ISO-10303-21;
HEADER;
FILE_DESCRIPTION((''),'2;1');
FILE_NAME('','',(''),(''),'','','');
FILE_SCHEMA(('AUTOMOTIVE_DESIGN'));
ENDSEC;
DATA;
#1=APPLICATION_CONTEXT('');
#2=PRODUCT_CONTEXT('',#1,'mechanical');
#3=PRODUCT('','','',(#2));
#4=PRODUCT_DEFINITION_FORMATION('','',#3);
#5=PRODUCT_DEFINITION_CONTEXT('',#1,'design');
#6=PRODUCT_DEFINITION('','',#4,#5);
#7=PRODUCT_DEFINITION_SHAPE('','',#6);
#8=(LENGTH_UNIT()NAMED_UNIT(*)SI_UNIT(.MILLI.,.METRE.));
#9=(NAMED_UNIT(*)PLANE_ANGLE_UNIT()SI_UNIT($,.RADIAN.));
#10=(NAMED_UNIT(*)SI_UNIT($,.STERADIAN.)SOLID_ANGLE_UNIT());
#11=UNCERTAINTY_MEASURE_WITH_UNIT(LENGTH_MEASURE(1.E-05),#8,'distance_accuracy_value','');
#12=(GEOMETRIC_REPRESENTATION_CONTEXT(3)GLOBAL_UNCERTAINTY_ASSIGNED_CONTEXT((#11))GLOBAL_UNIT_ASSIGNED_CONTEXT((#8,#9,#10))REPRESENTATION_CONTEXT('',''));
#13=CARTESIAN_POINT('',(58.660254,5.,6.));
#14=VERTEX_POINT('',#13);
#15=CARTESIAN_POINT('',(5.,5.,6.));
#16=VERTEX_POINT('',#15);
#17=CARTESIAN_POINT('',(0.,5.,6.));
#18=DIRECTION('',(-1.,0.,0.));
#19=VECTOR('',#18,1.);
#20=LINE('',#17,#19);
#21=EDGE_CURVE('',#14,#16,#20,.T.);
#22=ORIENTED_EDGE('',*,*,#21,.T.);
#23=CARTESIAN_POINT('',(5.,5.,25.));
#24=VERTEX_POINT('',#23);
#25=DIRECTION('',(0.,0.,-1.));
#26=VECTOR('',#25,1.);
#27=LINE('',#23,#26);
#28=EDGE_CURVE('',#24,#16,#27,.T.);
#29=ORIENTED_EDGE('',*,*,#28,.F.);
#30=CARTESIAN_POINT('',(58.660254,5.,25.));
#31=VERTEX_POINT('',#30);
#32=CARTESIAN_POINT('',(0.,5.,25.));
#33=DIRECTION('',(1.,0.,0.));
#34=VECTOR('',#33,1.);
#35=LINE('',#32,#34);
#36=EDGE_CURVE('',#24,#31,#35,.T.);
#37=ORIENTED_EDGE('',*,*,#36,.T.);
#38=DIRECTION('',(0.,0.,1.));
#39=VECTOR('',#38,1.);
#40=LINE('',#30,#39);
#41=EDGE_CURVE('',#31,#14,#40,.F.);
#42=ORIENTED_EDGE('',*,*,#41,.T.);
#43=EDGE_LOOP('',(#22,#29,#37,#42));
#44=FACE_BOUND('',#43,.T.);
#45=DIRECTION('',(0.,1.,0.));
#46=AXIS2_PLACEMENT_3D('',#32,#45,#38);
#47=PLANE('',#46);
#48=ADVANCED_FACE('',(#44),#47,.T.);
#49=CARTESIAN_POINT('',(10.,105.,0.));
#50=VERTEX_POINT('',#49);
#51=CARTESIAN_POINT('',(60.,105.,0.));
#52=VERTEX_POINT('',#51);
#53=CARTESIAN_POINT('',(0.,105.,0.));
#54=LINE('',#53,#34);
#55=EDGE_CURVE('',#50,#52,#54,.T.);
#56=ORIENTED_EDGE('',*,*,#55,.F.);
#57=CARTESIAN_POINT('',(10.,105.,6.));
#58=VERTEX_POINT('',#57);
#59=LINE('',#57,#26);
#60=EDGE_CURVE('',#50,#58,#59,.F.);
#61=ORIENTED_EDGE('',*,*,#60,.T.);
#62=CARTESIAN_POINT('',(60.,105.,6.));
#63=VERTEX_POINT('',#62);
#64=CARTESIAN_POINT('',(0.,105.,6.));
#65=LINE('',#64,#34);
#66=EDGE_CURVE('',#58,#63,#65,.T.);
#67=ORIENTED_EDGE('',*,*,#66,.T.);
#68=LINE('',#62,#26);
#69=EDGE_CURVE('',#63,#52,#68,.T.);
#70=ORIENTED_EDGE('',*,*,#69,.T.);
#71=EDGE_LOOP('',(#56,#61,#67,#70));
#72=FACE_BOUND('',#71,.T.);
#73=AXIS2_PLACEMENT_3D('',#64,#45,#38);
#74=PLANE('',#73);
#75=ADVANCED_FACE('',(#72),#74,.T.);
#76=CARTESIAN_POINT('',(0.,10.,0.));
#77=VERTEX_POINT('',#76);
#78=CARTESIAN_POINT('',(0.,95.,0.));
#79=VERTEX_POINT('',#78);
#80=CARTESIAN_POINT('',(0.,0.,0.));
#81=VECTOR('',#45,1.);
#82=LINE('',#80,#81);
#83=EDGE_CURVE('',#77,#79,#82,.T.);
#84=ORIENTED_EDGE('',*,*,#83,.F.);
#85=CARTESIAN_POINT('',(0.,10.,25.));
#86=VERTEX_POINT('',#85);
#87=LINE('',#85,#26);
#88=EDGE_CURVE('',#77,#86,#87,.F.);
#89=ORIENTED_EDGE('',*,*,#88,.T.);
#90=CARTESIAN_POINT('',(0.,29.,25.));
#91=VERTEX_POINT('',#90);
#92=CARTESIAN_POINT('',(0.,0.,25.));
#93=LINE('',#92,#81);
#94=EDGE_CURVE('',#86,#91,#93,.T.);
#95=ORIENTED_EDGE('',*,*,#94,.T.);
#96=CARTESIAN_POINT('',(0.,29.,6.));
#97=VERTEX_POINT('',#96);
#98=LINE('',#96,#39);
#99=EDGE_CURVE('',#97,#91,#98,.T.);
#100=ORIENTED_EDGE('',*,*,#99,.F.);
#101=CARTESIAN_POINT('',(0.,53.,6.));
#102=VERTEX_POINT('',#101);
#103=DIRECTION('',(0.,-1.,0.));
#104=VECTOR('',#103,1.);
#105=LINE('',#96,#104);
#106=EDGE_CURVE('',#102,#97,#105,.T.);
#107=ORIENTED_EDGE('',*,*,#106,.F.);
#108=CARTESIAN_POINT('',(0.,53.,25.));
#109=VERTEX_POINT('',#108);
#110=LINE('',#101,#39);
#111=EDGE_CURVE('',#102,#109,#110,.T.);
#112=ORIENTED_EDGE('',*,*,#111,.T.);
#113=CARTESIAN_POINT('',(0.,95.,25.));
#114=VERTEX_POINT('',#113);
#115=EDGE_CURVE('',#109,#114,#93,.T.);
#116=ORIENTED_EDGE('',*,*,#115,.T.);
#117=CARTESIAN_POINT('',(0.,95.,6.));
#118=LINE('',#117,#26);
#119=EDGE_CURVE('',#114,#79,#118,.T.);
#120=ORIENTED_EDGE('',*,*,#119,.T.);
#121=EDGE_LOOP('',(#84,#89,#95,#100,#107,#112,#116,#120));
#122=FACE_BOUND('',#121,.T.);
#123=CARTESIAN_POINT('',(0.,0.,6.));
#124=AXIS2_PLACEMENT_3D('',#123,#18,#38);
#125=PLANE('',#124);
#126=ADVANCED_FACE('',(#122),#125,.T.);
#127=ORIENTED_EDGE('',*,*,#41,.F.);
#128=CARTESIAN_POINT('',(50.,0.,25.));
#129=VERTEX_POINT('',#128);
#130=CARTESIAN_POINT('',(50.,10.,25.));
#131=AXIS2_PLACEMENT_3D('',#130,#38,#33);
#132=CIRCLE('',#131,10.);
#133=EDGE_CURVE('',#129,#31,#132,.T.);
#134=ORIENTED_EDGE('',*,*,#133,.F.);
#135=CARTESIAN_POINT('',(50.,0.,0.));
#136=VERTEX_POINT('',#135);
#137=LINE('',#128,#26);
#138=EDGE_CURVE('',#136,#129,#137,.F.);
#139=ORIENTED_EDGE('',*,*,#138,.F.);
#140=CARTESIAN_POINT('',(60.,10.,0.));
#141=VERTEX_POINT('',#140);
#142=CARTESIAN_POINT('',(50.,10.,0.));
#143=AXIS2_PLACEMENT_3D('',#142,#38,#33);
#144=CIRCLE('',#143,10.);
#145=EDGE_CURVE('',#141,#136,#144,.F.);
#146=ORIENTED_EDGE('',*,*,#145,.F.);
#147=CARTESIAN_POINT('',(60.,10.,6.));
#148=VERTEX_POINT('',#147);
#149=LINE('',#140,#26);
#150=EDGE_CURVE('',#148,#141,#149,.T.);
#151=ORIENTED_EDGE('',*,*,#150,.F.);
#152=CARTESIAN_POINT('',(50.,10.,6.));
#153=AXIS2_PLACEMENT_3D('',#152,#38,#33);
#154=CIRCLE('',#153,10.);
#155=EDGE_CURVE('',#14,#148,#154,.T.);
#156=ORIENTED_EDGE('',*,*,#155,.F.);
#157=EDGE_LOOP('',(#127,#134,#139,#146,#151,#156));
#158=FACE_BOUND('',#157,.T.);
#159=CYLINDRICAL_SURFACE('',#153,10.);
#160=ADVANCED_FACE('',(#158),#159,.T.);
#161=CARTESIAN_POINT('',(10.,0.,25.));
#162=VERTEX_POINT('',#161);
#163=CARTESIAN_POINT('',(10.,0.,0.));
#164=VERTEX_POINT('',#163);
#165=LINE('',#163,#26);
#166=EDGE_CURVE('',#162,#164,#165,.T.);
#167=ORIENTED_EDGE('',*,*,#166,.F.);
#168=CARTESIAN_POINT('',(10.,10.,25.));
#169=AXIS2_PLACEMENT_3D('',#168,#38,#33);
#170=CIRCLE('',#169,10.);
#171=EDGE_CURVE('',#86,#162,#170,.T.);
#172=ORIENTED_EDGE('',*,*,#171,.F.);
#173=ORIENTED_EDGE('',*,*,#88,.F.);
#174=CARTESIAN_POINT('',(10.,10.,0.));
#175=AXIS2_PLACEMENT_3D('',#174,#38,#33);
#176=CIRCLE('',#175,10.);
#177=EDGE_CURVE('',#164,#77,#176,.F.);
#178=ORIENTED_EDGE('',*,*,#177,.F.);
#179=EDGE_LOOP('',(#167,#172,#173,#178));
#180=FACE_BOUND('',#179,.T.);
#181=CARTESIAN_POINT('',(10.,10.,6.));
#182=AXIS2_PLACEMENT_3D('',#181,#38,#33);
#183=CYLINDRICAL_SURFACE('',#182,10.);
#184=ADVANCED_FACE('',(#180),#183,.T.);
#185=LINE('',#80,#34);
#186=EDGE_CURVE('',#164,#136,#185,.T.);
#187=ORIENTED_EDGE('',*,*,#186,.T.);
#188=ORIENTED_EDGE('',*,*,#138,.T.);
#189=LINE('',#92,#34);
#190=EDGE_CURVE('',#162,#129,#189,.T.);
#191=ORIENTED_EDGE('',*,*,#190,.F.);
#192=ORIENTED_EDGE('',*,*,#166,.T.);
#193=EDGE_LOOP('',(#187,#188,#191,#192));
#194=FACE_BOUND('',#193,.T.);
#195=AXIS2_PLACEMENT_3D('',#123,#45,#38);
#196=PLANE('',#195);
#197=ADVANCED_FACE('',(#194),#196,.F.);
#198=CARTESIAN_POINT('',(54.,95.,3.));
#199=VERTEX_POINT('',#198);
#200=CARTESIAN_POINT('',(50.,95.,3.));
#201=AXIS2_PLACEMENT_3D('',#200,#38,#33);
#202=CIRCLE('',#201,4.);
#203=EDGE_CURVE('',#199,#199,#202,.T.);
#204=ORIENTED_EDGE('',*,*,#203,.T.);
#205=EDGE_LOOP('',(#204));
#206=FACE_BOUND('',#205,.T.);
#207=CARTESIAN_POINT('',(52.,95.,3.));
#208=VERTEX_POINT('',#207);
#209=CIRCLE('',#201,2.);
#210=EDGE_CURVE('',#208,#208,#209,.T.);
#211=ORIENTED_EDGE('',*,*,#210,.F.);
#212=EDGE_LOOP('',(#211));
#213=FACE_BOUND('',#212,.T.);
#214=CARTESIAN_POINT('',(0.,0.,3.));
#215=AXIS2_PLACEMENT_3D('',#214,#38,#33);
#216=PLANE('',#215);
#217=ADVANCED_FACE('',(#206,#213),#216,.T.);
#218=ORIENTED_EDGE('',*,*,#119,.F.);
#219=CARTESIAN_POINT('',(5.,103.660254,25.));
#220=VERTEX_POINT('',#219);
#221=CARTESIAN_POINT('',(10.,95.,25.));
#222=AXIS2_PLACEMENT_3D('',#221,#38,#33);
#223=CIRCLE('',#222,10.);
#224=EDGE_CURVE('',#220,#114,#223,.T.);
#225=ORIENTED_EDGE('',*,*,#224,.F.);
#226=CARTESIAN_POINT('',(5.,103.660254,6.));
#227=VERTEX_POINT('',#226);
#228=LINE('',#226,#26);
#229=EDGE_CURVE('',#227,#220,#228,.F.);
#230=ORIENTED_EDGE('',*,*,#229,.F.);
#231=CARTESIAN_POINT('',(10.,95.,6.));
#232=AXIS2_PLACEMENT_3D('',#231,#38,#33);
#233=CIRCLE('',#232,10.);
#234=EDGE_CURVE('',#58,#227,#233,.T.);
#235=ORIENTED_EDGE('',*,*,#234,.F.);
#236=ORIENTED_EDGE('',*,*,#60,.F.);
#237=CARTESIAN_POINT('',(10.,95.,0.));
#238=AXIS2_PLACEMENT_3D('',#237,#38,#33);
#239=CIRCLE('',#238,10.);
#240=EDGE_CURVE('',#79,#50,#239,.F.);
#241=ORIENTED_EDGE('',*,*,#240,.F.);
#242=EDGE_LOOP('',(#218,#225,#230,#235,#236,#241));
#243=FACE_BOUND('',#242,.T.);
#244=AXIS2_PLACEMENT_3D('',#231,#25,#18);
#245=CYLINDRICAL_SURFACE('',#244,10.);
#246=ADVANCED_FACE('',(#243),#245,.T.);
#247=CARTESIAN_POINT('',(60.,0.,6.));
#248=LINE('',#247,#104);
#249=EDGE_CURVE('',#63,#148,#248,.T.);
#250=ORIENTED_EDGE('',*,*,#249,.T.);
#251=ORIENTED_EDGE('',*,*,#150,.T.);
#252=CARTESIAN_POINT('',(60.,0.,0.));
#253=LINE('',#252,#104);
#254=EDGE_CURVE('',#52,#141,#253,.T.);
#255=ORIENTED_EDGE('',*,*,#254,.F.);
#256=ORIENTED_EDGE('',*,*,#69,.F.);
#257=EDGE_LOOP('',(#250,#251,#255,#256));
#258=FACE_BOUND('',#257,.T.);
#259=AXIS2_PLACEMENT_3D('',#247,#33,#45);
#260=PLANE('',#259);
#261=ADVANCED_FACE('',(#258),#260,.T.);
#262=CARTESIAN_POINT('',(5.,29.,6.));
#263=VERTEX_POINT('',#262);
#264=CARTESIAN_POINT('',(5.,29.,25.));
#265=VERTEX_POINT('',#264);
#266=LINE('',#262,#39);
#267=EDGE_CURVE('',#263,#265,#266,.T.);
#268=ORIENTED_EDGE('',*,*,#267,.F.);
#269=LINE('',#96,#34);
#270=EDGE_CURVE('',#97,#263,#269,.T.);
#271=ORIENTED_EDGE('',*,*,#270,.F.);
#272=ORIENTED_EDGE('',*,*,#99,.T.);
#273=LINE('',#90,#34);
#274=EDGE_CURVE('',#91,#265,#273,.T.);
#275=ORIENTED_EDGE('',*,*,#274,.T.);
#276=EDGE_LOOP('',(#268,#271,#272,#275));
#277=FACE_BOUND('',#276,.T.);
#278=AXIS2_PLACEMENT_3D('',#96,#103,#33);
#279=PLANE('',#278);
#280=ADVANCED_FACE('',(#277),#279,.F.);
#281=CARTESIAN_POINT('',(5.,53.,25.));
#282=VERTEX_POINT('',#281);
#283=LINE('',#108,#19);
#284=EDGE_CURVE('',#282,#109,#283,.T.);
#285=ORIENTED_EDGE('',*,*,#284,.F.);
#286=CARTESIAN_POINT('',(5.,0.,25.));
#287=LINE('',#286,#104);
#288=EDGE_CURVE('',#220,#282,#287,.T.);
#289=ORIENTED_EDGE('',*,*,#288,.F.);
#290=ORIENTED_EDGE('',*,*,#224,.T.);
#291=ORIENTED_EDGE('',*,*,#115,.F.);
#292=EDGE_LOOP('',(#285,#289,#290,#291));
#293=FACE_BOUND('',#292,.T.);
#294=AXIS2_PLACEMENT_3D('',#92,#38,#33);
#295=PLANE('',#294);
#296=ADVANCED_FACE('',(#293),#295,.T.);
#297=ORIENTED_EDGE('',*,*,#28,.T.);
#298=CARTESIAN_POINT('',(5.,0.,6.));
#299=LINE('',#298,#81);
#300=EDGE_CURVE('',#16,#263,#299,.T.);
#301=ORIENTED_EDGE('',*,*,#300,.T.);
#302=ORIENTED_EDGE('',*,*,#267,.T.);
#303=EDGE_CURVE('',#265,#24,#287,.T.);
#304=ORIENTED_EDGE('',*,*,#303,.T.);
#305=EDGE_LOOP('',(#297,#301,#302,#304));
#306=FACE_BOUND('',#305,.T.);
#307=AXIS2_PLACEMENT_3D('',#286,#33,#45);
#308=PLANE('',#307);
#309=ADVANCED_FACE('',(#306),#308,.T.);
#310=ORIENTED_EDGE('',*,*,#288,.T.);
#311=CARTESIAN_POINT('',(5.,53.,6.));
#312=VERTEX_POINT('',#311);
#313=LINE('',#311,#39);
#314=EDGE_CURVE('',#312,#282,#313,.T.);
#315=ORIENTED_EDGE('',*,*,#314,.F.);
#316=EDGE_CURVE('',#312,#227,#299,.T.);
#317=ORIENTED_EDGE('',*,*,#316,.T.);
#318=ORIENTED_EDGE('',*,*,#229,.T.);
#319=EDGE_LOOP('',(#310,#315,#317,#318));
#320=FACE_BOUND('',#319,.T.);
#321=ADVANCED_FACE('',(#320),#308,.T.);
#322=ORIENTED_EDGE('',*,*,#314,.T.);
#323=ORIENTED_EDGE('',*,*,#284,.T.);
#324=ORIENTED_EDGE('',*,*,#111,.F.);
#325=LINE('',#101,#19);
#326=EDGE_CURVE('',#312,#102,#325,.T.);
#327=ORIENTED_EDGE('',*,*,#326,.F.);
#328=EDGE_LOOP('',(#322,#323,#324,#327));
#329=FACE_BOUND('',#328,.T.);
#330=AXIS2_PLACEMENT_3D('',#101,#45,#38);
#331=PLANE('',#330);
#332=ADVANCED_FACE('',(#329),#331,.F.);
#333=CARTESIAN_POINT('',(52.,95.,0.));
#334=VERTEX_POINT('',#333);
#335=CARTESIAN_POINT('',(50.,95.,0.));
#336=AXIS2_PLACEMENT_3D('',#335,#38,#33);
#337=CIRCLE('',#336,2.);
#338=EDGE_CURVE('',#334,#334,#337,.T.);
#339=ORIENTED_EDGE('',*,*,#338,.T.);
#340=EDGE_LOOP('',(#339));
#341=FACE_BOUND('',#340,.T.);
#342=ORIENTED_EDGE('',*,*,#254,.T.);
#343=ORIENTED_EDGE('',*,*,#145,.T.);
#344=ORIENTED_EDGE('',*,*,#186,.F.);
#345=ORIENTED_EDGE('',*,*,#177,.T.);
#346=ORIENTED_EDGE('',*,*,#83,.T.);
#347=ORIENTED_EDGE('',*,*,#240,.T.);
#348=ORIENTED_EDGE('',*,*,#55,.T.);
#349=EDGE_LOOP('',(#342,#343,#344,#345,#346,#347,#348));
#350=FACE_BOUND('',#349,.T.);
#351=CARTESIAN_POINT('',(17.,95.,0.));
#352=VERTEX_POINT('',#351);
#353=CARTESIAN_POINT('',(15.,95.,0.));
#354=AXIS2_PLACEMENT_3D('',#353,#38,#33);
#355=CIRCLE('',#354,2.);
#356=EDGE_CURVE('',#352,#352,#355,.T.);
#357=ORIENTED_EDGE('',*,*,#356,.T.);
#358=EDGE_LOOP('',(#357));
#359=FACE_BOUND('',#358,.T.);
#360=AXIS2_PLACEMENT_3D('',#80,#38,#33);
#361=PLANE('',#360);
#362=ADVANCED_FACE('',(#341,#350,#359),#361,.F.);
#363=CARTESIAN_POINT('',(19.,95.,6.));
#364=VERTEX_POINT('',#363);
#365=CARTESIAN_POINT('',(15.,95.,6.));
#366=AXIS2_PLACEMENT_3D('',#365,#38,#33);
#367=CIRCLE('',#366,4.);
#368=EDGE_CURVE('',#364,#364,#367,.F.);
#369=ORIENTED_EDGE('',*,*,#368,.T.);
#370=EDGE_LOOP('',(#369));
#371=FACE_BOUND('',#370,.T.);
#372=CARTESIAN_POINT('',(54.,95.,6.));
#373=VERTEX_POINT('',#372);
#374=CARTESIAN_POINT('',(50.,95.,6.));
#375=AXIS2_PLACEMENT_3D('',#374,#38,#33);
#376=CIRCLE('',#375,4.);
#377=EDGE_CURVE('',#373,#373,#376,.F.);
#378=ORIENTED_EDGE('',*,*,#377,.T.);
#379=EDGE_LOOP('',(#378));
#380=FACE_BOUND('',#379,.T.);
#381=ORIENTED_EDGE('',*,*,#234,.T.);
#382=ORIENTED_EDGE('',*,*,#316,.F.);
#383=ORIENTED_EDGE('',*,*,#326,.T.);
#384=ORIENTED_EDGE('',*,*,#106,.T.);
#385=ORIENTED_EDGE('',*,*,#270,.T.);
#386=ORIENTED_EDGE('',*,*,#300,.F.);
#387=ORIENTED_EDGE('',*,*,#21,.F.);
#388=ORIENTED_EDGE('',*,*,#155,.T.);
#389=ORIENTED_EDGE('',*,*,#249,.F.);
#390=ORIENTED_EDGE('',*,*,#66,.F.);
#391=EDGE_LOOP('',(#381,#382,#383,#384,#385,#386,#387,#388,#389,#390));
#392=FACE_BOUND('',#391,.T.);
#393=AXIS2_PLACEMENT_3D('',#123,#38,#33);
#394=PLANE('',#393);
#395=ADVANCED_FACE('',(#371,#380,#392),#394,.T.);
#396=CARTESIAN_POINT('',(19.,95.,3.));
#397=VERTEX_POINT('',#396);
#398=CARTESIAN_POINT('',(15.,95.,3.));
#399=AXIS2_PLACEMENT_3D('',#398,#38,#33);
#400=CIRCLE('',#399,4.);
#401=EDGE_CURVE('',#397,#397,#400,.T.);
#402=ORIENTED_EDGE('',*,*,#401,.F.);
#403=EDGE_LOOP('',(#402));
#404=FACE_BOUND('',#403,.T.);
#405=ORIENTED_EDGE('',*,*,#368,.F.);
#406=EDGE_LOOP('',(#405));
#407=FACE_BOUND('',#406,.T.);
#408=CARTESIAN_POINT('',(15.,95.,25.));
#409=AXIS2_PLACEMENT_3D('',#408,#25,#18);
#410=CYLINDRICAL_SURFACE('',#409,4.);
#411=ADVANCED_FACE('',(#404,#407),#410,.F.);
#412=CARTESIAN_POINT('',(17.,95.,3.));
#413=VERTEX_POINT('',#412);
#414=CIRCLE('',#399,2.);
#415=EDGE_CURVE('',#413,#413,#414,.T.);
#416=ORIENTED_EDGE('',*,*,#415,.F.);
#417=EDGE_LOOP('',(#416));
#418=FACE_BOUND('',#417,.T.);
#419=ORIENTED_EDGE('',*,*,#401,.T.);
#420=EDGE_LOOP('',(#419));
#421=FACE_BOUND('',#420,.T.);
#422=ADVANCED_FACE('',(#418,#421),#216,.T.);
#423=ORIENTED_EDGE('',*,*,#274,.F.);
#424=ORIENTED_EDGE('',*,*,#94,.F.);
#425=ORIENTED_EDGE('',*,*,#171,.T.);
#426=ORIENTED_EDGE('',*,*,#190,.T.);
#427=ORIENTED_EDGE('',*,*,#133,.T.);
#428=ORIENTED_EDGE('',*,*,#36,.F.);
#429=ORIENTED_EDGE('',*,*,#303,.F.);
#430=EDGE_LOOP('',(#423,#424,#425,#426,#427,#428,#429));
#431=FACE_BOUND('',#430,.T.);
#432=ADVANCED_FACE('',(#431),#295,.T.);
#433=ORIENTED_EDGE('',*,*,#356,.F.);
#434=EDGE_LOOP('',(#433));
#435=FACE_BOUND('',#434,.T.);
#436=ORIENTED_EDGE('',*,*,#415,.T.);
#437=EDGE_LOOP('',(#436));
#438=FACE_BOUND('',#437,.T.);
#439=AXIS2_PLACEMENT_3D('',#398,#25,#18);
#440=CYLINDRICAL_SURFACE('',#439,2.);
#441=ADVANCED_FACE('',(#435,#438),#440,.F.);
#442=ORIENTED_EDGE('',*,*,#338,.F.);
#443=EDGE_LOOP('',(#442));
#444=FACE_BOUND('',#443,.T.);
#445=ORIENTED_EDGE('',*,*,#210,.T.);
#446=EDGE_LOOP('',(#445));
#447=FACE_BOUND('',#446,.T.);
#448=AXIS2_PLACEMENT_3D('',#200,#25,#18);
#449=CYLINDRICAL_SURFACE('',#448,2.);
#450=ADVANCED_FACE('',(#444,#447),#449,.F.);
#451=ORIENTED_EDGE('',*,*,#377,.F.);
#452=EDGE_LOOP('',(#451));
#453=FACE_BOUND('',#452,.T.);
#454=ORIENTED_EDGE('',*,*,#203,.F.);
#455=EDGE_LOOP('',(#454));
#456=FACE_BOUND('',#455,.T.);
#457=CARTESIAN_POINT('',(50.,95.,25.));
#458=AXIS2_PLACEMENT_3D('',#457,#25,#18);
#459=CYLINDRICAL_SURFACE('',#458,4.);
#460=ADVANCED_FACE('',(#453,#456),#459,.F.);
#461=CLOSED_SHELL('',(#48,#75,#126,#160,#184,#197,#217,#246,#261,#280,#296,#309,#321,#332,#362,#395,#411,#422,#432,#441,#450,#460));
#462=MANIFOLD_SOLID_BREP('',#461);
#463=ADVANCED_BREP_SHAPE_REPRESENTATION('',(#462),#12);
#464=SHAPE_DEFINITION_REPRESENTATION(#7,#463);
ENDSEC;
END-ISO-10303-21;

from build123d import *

# Parameters (mm, degrees)
SKETCH1_W           = 60
SKETCH1_H           = 105
BOSS_EXTRUDE4_DEPTH = 6
BOSS_EXTRUDE5_DEPTH = 25
SKETCH1_15_R        = 2
CUT_EXTRUDE1_DEPTH  = 25
SKETCH1_16_R        = 4
SKETCH1_16_R_2      = 2
CUT_EXTRUDE2_DEPTH  = 25
SKETCH1_18_R        = 4
SKETCH1_18_R_2      = 2
BOSS_EXTRUDE7_DEPTH = 3
FILLET1_R           = 10
SKETCH2_W           = 5
SKETCH2_H           = 24
CUT_EXTRUDE3_DEPTH  = 19


with BuildPart() as part:
    # Sketch1 → Boss-Extrude4 (new body)
    with BuildSketch(Plane.XY):
        with Locations((30, 52.5)):
            Rectangle(SKETCH1_W, SKETCH1_H)
    extrude(amount=BOSS_EXTRUDE4_DEPTH)

    # Sketch1<12> → Boss-Extrude5 (add)
    with BuildSketch(Plane.XY):
        Polygon((5, 5), (5, 105), (0, 105), (0, 0), (60, 0), (60, 5), align=None)
    extrude(amount=BOSS_EXTRUDE5_DEPTH)

    # Sketch1<15> → Cut-Extrude1 (cut)
    with BuildSketch(Plane.XY):
        with Locations((50, 95)):
            Circle(SKETCH1_15_R)
        with Locations((15, 95)):
            Circle(SKETCH1_15_R)
    extrude(amount=CUT_EXTRUDE1_DEPTH, mode=Mode.SUBTRACT)

    # Sketch1<16> → Cut-Extrude2 (cut)
    # profile 1 of 2: a face of its own
    with BuildSketch(Plane.XY):
        with Locations((50, 95)):
            Circle(SKETCH1_16_R)
        with Locations((50, 95)):
            Circle(SKETCH1_16_R_2, mode=Mode.SUBTRACT)
    # profile 2 of 2: a face of its own
    with BuildSketch(Plane.XY):
        with Locations((15, 95)):
            Circle(SKETCH1_16_R)
        with Locations((15, 95)):
            Circle(SKETCH1_16_R_2, mode=Mode.SUBTRACT)
    extrude(amount=CUT_EXTRUDE2_DEPTH, mode=Mode.SUBTRACT)

    # Sketch1<18> → Boss-Extrude7 (add)
    # profile 1 of 2: a face of its own
    with BuildSketch(Plane.XY):
        with Locations((50, 95)):
            Circle(SKETCH1_18_R)
        with Locations((50, 95)):
            Circle(SKETCH1_18_R_2, mode=Mode.SUBTRACT)
    # profile 2 of 2: a face of its own
    with BuildSketch(Plane.XY):
        with Locations((15, 95)):
            Circle(SKETCH1_18_R)
        with Locations((15, 95)):
            Circle(SKETCH1_18_R_2, mode=Mode.SUBTRACT)
    extrude(amount=BOSS_EXTRUDE7_DEPTH)

    # Fillet1
    fillet1_edges = [part.edges().sort_by_distance(p)[0] for p in [
        (60, 0, 12.5),
        (0, 105, 12.5),
        (0, 0, 12.5),
    ]]
    fillet(fillet1_edges, radius=FILLET1_R)

    # Sketch2 → Cut-Extrude3 (cut)
    with BuildSketch(Plane.XY.offset(25)):
        with Locations((2.5, 41)):
            Rectangle(SKETCH2_W, SKETCH2_H)
    extrude(amount=-CUT_EXTRUDE3_DEPTH, mode=Mode.SUBTRACT)


solid = part.part
